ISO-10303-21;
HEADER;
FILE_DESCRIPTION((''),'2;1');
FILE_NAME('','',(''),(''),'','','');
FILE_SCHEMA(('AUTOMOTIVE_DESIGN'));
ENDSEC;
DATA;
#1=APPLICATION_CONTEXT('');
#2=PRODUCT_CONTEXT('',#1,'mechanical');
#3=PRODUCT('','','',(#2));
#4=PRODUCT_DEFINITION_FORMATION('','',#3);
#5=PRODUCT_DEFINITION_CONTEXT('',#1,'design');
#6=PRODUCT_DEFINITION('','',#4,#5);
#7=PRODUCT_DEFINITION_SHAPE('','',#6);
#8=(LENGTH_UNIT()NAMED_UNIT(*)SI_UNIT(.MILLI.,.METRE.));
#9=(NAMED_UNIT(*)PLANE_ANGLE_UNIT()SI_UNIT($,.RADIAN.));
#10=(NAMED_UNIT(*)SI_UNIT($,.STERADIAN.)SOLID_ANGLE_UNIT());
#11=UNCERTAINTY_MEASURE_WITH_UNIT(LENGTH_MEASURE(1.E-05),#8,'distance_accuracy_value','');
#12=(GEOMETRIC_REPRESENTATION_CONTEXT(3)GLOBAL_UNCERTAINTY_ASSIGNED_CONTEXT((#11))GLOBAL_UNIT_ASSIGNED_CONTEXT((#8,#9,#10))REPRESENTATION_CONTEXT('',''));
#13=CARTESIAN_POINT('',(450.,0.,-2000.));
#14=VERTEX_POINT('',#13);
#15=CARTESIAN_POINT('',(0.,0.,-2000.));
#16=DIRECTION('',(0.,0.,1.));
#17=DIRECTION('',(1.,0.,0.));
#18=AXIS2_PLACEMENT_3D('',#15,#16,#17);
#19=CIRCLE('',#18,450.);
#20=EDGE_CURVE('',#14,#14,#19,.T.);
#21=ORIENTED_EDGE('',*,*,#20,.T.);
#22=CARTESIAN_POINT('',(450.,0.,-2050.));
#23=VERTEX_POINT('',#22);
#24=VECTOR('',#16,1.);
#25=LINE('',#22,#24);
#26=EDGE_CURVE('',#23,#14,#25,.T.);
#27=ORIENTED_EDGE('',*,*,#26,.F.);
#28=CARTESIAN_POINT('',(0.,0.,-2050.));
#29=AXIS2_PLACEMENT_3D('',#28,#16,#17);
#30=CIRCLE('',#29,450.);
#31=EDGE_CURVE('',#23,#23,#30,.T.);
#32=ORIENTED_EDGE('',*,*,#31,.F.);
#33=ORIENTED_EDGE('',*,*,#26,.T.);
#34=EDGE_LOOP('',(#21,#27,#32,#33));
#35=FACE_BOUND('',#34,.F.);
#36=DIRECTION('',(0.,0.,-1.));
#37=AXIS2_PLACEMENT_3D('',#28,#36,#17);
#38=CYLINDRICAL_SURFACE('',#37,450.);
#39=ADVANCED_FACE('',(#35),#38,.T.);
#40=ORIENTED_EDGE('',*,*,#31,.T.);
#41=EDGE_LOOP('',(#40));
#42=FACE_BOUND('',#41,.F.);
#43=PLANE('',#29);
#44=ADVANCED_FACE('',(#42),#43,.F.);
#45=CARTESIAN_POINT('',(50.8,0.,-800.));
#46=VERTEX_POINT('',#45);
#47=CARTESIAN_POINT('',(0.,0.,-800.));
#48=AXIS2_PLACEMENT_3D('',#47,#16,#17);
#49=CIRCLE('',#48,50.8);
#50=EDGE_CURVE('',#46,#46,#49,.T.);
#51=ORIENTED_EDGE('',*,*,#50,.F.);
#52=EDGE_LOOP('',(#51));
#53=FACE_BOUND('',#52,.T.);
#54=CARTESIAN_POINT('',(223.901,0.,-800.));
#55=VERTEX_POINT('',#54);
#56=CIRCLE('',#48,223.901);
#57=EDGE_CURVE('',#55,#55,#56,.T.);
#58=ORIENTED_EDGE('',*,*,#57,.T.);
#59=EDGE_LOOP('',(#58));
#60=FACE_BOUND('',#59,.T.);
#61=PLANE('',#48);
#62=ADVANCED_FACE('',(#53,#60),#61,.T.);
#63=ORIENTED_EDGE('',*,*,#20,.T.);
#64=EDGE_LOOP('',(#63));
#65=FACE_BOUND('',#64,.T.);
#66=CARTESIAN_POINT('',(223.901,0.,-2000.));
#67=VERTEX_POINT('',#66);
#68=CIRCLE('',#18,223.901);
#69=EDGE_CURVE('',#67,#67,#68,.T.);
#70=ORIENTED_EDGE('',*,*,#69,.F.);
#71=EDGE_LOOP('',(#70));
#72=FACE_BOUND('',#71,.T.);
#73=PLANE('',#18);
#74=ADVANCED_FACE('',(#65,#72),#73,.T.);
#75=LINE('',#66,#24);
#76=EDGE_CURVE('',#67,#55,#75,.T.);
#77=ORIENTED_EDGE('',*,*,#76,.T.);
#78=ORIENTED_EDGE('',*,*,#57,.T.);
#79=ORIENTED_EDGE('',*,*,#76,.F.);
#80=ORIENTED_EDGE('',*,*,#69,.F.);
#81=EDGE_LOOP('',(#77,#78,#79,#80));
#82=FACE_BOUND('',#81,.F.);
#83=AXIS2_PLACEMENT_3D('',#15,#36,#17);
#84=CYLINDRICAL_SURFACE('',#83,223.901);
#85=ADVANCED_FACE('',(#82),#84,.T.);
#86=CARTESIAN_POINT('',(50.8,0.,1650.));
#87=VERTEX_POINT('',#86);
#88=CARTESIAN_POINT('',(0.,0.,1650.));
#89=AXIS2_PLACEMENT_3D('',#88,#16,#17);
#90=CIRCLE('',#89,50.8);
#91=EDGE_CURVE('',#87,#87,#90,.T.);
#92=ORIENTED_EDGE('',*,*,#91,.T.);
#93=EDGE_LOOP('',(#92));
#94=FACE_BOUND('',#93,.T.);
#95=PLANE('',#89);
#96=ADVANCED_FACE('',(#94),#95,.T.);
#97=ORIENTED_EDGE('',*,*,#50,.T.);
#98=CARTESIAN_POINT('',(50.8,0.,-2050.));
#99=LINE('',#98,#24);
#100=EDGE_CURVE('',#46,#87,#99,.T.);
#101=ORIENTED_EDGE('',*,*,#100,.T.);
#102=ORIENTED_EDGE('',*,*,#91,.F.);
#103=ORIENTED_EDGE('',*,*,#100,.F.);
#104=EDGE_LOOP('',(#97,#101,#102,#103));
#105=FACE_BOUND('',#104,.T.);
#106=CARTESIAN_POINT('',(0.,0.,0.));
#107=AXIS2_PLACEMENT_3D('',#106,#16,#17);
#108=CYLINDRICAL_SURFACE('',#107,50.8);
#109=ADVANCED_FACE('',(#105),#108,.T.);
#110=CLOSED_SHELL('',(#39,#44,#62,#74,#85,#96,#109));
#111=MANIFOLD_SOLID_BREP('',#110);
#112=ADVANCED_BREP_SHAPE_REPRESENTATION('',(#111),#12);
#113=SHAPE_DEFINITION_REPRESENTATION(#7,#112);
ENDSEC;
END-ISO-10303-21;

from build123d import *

# Parameters (mm, degrees)
SKETCH1_R                = 50.8
BOSS_EXTRUDE1_DEPTH      = 1650
BOSS_EXTRUDE1_DEPTH_BACK = 2050
SKETCH2_R                = 450
BOSS_EXTRUDE2_DEPTH      = 50
SKETCH3_R                = 223.901
BOSS_EXTRUDE3_DEPTH      = 1200


with BuildPart() as part:
    # Sketch1 → Boss-Extrude1 (new body, two sides)
    with BuildSketch(Plane.XY) as boss_extrude1_sk:
        Circle(SKETCH1_R)
    extrude(amount=BOSS_EXTRUDE1_DEPTH)
    extrude(boss_extrude1_sk.sketch, amount=-BOSS_EXTRUDE1_DEPTH_BACK)

    # Sketch2 → Boss-Extrude2 (add)
    with BuildSketch(Plane.XY.offset(-2050)):
        Circle(SKETCH2_R)
    extrude(amount=BOSS_EXTRUDE2_DEPTH)

    # Sketch3 → Boss-Extrude3 (add)
    with BuildSketch(Plane.XY.offset(-2000)):
        Circle(SKETCH3_R)
    extrude(amount=BOSS_EXTRUDE3_DEPTH)


solid = part.part
